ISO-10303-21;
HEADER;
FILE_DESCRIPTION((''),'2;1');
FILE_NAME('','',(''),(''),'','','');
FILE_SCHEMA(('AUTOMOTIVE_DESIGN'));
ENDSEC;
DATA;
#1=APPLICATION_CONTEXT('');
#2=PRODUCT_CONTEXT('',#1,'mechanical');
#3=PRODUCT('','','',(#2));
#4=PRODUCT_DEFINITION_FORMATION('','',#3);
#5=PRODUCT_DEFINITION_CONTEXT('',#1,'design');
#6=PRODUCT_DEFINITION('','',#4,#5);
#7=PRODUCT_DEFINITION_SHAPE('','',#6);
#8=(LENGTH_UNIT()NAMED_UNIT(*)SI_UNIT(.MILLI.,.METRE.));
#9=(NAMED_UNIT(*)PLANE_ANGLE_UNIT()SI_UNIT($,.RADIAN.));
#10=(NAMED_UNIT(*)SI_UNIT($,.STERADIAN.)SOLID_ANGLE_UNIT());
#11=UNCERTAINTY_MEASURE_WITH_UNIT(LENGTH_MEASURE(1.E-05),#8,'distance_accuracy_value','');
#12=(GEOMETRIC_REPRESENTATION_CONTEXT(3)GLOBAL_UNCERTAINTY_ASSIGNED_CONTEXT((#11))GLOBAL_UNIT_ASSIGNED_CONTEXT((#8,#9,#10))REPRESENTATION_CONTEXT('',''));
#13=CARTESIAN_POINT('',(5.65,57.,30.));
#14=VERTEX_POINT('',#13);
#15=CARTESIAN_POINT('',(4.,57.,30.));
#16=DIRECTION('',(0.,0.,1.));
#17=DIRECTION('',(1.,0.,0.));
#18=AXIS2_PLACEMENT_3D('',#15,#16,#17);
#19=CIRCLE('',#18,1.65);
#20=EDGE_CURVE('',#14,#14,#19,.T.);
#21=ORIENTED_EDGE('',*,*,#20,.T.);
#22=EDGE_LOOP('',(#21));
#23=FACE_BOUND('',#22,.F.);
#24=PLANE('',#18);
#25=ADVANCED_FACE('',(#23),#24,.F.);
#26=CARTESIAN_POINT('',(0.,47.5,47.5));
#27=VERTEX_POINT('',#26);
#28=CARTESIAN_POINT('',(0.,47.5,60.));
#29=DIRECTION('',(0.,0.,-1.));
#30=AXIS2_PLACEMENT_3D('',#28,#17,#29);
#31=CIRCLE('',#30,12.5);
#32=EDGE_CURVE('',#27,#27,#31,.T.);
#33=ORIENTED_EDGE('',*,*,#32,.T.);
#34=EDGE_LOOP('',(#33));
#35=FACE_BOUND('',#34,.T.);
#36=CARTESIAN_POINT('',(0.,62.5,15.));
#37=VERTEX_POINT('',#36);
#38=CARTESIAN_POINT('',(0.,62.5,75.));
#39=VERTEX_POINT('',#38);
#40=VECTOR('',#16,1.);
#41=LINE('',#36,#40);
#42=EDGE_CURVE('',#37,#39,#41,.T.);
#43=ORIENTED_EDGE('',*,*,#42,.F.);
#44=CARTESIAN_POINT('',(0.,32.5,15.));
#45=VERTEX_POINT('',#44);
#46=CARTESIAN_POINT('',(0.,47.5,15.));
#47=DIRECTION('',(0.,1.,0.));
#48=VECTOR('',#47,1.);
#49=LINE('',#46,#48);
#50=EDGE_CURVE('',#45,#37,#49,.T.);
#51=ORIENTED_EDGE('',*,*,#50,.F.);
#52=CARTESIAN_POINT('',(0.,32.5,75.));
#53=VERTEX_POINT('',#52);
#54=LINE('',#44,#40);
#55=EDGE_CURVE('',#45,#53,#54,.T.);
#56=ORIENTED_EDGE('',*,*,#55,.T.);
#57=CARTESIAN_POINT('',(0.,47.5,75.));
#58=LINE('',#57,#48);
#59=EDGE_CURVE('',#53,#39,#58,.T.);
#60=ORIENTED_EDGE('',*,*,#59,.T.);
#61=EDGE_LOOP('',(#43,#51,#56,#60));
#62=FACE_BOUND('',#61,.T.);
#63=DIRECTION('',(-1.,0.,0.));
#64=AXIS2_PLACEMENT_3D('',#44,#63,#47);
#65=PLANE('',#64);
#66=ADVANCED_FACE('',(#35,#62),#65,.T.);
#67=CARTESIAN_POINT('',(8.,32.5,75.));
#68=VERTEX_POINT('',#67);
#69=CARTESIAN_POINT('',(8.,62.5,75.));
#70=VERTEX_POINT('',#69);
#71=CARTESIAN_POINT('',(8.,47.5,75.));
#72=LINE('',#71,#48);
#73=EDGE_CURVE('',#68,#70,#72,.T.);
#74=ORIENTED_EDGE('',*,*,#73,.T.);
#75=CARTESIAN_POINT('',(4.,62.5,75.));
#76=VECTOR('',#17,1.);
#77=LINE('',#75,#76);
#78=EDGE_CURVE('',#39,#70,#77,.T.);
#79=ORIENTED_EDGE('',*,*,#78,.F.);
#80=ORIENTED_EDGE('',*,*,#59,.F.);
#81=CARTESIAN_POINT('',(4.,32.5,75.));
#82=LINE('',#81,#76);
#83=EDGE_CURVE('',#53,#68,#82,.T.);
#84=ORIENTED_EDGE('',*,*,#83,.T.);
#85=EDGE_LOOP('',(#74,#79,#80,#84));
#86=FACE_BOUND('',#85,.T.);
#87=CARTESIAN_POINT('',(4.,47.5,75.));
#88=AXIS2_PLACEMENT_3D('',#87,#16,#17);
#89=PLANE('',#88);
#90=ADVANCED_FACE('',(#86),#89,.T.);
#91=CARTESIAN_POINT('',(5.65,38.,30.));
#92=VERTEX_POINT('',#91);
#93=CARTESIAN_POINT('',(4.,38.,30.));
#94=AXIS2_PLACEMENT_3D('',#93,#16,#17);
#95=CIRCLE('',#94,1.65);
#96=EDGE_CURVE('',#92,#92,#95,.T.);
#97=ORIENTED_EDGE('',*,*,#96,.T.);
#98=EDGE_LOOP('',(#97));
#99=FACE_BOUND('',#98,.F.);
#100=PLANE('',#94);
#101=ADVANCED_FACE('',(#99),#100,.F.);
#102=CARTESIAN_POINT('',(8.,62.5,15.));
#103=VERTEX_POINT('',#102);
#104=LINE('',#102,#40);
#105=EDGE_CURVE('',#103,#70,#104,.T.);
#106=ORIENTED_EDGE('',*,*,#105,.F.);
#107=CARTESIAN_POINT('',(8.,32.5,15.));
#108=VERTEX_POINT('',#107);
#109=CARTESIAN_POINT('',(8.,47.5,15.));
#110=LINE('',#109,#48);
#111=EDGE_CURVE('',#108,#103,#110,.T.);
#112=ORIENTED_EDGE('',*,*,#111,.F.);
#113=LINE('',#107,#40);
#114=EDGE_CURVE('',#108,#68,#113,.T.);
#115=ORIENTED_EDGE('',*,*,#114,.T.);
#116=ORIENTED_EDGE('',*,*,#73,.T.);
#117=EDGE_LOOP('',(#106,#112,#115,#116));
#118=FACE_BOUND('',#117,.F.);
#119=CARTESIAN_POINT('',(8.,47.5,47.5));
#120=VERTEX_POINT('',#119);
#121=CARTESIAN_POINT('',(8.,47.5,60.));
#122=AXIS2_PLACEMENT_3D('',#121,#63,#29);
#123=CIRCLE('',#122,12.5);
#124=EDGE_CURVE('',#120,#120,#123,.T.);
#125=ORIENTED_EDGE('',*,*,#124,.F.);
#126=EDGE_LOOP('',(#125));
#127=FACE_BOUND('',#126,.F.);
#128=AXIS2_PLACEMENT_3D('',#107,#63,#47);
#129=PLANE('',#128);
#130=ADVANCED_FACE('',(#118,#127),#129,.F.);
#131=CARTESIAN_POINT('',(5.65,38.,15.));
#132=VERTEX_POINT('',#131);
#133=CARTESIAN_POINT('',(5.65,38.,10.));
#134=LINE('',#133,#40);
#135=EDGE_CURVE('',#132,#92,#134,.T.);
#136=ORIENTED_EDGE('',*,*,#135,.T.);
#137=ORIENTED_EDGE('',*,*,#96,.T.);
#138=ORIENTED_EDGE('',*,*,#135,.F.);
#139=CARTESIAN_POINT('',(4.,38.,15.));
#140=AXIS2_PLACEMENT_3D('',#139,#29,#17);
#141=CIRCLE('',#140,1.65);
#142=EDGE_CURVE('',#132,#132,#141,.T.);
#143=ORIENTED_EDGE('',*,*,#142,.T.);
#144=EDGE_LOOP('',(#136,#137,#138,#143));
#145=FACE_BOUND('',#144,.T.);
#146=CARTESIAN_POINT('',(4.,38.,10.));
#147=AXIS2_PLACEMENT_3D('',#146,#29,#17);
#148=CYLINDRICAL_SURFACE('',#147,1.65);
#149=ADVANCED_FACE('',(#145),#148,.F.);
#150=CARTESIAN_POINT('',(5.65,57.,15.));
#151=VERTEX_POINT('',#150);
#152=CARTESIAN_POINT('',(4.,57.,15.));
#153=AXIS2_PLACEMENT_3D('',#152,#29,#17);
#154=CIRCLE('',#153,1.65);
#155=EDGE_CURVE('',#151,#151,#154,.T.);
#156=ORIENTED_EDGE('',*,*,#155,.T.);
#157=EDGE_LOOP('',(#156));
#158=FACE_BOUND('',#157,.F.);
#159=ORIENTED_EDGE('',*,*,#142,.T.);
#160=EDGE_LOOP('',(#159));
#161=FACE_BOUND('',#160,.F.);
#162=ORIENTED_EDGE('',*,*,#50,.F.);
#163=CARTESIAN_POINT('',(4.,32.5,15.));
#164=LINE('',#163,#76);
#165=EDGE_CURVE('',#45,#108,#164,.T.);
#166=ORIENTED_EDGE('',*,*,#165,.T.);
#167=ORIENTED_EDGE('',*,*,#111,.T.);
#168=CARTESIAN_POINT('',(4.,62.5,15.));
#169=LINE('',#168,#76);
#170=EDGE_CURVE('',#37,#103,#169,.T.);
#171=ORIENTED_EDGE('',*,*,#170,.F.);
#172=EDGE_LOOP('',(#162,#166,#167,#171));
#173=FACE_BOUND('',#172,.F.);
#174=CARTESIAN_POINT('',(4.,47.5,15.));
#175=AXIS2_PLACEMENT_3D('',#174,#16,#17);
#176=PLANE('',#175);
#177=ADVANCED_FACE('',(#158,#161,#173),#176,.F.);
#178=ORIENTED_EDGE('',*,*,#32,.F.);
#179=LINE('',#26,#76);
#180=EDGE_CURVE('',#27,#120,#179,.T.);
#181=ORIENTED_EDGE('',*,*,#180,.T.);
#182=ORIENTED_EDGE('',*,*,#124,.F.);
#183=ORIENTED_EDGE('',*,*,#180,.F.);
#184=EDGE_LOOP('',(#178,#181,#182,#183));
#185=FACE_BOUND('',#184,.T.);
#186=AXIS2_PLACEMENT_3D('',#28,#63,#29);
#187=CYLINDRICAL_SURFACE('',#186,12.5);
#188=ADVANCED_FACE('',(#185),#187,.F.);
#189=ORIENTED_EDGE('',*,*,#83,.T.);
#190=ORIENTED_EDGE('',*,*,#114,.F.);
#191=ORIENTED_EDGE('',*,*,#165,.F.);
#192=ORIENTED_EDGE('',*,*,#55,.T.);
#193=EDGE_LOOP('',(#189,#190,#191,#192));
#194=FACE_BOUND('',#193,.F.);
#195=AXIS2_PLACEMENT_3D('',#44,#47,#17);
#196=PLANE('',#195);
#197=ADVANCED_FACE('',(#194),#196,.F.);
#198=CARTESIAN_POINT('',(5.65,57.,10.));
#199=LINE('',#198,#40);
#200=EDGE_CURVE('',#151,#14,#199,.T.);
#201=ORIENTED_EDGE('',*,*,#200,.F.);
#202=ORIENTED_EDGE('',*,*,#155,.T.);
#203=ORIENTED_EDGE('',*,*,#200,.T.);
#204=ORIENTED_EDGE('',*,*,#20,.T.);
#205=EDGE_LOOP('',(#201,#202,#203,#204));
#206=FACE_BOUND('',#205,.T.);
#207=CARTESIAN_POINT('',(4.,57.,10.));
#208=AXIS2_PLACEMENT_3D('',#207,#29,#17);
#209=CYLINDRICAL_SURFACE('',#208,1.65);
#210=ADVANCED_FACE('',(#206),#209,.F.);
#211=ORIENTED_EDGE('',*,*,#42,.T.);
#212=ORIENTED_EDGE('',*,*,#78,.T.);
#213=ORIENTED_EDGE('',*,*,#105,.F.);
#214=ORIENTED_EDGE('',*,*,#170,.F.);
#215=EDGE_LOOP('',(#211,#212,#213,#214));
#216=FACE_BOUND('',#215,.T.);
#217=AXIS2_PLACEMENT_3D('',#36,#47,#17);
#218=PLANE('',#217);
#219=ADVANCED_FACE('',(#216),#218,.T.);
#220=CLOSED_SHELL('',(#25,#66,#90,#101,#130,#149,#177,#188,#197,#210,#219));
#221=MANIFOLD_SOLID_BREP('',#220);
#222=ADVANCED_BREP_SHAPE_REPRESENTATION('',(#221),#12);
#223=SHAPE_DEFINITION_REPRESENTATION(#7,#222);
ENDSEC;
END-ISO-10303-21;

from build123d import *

# Parameters (mm, degrees)
CYLINDER018_R     = 1.65
CYLINDER018_DEPTH = 20
CYLINDER019_R     = 1.65
CYLINDER019_DEPTH = 20
CYLINDER011_R     = 12.5
CYLINDER011_DEPTH = 10
BOX002_W          = 8
BOX002_H          = 30
BOX002_DEPTH      = 60


with BuildPart() as zylinder018:
    # Cylinder018 → Cylinder018 (new body)
    with BuildSketch(Plane(origin=(4, 38, 10), x_dir=(1, 0, 0), z_dir=(0, 0, 1))):
        Circle(CYLINDER018_R)
    extrude(amount=CYLINDER018_DEPTH)


with BuildPart() as compound003:
    # Cylinder019 → Cylinder019 (new body)
    with BuildSketch(Plane(origin=(4, 57, 10), x_dir=(1, 0, 0), z_dir=(0, 0, 1))):
        Circle(CYLINDER019_R)
    extrude(amount=CYLINDER019_DEPTH)

    # Compound003: union Zylinder018
    add(zylinder018.part)


with BuildPart() as zylinder011:
    # Cylinder011 → Cylinder011 (new body)
    with BuildSketch(Plane(origin=(0, 47.5, 60), x_dir=(0, 0, -1), z_dir=(1, 0, 0))):
        Circle(CYLINDER011_R)
    extrude(amount=CYLINDER011_DEPTH)


with BuildPart() as cameraholder:
    # Box002 → Box002 (new body)
    with BuildSketch(Plane(origin=(0, 32.5, 15), x_dir=(1, 0, 0), z_dir=(0, 0, 1))):
        with Locations((4, 15)):
            Rectangle(BOX002_W, BOX002_H)
    extrude(amount=BOX002_DEPTH)

    # Cut003: cut Zylinder011
    add(zylinder011.part, mode=Mode.SUBTRACT)

    # Cut007: cut Compound003
    add(compound003.part, mode=Mode.SUBTRACT)


solid = cameraholder.part
